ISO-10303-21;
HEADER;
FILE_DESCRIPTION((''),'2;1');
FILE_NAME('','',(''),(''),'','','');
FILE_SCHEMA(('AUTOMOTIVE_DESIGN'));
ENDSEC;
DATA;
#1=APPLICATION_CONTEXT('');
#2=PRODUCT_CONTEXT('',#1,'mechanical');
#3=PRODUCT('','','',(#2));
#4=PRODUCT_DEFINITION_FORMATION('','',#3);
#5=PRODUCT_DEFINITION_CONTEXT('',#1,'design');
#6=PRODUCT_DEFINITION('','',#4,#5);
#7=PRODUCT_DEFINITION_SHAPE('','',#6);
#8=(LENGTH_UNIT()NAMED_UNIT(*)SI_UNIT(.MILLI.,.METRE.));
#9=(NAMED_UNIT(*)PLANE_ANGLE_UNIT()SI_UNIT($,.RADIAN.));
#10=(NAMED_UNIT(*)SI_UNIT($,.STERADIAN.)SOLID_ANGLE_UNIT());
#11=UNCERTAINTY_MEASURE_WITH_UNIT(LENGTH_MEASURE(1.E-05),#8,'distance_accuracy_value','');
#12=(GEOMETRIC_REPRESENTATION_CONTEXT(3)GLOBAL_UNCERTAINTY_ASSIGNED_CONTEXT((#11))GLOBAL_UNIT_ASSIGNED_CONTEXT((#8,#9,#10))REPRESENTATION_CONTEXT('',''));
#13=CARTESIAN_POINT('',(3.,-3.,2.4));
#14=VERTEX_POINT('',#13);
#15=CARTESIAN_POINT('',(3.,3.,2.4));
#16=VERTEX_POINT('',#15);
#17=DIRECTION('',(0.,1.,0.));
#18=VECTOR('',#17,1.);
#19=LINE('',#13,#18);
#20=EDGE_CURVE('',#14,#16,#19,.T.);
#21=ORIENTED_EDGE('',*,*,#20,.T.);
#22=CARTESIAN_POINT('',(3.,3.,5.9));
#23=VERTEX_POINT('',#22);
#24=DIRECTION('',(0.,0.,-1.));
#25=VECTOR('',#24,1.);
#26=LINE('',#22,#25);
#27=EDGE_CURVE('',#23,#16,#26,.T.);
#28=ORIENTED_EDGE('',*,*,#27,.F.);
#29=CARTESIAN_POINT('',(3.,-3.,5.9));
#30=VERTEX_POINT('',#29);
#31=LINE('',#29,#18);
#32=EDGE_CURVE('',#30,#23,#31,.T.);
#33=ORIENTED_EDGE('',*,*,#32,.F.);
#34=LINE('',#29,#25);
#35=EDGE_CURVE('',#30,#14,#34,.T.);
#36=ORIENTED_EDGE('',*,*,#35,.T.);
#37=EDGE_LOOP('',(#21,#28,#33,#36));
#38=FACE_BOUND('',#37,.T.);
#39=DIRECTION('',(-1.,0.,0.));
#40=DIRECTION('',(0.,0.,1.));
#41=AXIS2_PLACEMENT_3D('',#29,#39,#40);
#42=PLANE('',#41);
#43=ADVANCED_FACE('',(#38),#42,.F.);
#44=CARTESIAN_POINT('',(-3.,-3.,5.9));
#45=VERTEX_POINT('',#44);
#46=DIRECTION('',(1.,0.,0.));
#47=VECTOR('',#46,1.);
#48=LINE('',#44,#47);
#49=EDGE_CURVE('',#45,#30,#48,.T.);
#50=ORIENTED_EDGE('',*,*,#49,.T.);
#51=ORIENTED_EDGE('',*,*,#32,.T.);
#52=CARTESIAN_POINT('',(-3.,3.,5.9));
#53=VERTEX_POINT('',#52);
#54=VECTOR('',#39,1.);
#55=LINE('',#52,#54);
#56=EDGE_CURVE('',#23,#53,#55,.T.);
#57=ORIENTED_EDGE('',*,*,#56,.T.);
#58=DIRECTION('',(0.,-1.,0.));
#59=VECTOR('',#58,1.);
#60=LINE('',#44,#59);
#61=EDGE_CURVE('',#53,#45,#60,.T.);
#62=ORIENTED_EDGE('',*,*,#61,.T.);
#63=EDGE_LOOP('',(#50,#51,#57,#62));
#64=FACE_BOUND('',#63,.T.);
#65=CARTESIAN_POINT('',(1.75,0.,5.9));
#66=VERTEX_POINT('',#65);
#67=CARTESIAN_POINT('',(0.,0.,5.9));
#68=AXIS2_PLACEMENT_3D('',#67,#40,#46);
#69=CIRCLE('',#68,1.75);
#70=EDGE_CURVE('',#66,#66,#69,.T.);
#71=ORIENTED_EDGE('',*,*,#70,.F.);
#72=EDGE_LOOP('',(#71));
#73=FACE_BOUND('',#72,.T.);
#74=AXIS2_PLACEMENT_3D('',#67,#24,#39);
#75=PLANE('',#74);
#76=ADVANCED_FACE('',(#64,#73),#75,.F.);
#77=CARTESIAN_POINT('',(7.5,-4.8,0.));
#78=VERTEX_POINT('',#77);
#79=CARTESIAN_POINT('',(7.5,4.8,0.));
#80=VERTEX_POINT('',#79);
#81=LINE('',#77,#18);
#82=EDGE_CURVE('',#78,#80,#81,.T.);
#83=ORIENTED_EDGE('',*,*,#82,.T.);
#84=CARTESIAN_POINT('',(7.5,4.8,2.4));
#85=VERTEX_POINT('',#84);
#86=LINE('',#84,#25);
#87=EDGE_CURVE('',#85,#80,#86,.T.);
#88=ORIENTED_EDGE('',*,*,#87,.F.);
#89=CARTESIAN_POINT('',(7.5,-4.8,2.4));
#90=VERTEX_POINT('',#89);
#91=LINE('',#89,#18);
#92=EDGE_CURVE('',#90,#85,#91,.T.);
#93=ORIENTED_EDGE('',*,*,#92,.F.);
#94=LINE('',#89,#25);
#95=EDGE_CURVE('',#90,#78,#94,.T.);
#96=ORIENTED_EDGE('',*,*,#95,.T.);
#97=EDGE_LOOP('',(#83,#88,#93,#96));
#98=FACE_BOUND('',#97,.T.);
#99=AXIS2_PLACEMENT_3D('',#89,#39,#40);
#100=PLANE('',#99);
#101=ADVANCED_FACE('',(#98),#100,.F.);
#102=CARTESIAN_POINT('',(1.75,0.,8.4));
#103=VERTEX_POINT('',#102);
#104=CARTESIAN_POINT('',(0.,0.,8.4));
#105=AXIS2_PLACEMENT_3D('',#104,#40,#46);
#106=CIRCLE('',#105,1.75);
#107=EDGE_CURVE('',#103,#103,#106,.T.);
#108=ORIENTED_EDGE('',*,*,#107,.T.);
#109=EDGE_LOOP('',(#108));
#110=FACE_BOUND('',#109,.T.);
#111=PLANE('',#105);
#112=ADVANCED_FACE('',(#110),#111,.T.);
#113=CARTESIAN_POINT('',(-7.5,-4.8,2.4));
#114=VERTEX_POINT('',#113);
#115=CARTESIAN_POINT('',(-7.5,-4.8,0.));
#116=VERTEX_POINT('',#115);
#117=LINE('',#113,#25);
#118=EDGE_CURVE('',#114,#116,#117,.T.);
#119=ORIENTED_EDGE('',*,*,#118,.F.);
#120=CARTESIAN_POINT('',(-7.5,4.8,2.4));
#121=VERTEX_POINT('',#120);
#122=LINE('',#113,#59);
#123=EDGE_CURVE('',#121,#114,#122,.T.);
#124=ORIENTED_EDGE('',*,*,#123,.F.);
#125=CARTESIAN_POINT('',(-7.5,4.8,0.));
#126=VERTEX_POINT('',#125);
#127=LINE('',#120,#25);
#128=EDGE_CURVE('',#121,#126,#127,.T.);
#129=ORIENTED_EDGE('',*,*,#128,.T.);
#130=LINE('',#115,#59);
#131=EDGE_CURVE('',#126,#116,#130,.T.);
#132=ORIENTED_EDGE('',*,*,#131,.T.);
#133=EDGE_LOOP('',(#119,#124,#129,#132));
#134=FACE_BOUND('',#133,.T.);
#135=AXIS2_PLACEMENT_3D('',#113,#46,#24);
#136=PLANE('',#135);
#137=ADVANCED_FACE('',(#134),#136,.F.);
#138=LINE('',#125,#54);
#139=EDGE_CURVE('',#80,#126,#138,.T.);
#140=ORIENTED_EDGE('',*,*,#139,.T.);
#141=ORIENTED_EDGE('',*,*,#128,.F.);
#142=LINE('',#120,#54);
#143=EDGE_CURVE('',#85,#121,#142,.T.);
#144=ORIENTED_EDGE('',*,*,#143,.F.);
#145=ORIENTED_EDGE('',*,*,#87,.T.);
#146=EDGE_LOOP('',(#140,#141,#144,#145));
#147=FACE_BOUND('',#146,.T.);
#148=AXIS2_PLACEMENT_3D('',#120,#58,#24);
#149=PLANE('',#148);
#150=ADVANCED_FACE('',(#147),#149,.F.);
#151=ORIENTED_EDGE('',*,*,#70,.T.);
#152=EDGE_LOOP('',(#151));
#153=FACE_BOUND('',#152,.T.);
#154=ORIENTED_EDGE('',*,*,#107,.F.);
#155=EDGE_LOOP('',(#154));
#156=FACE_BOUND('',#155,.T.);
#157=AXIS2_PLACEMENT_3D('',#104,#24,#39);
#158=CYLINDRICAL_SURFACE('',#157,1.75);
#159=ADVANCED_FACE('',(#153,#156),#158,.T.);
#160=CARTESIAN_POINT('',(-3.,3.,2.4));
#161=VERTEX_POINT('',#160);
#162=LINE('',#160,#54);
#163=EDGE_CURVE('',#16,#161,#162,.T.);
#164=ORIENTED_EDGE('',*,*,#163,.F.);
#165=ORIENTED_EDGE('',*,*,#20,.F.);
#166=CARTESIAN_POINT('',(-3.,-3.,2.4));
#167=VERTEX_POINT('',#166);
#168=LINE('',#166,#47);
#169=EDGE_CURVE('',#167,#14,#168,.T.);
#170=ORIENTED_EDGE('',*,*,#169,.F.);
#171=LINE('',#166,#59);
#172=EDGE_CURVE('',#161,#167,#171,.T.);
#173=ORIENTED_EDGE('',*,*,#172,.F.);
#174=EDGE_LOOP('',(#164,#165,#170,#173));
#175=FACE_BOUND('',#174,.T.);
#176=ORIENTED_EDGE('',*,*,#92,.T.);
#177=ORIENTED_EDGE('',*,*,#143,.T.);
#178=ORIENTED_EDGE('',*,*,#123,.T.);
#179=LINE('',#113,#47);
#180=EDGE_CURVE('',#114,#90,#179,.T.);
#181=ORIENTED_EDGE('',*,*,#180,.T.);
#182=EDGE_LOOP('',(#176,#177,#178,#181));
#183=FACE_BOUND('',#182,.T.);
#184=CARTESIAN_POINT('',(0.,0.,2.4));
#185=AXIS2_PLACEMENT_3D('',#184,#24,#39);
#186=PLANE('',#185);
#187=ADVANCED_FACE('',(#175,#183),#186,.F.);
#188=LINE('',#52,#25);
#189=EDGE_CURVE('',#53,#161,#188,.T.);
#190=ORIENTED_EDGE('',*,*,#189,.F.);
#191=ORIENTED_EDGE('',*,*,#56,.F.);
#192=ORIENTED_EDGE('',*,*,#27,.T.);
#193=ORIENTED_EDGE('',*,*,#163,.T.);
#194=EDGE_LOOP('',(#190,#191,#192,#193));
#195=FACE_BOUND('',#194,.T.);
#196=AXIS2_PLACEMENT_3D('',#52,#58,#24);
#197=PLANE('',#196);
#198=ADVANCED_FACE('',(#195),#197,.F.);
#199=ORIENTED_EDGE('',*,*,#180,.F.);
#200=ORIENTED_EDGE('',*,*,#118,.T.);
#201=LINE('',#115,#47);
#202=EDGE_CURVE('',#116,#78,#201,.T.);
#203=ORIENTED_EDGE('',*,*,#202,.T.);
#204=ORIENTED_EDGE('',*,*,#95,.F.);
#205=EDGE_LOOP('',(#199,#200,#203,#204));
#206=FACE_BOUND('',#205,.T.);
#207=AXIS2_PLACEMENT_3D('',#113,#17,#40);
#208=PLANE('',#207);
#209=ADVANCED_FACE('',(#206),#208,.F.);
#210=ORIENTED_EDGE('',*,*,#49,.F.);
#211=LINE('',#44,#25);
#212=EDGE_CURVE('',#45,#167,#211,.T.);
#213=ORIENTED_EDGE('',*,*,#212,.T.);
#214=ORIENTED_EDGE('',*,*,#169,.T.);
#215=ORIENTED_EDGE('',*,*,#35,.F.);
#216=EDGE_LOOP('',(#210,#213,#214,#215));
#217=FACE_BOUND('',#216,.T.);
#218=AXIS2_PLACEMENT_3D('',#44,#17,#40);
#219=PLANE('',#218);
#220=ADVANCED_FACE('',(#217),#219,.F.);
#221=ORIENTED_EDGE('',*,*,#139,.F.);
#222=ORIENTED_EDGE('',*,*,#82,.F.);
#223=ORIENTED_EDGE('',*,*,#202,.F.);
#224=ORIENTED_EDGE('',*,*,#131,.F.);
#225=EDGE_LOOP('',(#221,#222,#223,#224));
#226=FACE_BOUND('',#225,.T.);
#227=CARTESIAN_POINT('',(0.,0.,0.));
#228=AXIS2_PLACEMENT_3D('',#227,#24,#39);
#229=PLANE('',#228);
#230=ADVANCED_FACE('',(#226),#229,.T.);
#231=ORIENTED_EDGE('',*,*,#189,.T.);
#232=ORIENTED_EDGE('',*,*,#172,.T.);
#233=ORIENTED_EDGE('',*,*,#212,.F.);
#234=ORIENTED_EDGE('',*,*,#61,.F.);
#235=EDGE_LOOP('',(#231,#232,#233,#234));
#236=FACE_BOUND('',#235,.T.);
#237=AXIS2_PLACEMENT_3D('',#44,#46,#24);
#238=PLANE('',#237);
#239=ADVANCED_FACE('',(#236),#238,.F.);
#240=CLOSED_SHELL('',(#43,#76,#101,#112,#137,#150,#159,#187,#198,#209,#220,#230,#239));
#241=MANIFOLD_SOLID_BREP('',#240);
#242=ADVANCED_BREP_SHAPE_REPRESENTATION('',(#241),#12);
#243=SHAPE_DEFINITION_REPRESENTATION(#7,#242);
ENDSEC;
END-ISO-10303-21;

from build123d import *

# Parameters (mm, degrees)
IZIM2_W                     = 15
IZIM2_H                     = 9.6
Y_KSEKLIK_EKSTR_ZYON1_DEPTH = 2.4
IZIM3_W                     = 6
IZIM3_H                     = 6
Y_KSEKLIK_EKSTR_ZYON2_DEPTH = 3.5
IZIM4_R                     = 1.75
Y_KSEKLIK_EKSTR_ZYON3_DEPTH = 2.5


with BuildPart() as part:
    # Çizim2 → Yükseklik-Ekstrüzyon1 (new body)
    with BuildSketch(Plane.XY):
        Rectangle(IZIM2_W, IZIM2_H)
    extrude(amount=Y_KSEKLIK_EKSTR_ZYON1_DEPTH)

    # Çizim3 → Yükseklik-Ekstrüzyon2 (add)
    with BuildSketch(Plane.XY.offset(2.4)):
        Rectangle(IZIM3_W, IZIM3_H)
    extrude(amount=Y_KSEKLIK_EKSTR_ZYON2_DEPTH)

    # Çizim4 → Yükseklik-Ekstrüzyon3 (add)
    with BuildSketch(Plane.XY.offset(5.9)):
        Circle(IZIM4_R)
    extrude(amount=Y_KSEKLIK_EKSTR_ZYON3_DEPTH)


solid = part.part
